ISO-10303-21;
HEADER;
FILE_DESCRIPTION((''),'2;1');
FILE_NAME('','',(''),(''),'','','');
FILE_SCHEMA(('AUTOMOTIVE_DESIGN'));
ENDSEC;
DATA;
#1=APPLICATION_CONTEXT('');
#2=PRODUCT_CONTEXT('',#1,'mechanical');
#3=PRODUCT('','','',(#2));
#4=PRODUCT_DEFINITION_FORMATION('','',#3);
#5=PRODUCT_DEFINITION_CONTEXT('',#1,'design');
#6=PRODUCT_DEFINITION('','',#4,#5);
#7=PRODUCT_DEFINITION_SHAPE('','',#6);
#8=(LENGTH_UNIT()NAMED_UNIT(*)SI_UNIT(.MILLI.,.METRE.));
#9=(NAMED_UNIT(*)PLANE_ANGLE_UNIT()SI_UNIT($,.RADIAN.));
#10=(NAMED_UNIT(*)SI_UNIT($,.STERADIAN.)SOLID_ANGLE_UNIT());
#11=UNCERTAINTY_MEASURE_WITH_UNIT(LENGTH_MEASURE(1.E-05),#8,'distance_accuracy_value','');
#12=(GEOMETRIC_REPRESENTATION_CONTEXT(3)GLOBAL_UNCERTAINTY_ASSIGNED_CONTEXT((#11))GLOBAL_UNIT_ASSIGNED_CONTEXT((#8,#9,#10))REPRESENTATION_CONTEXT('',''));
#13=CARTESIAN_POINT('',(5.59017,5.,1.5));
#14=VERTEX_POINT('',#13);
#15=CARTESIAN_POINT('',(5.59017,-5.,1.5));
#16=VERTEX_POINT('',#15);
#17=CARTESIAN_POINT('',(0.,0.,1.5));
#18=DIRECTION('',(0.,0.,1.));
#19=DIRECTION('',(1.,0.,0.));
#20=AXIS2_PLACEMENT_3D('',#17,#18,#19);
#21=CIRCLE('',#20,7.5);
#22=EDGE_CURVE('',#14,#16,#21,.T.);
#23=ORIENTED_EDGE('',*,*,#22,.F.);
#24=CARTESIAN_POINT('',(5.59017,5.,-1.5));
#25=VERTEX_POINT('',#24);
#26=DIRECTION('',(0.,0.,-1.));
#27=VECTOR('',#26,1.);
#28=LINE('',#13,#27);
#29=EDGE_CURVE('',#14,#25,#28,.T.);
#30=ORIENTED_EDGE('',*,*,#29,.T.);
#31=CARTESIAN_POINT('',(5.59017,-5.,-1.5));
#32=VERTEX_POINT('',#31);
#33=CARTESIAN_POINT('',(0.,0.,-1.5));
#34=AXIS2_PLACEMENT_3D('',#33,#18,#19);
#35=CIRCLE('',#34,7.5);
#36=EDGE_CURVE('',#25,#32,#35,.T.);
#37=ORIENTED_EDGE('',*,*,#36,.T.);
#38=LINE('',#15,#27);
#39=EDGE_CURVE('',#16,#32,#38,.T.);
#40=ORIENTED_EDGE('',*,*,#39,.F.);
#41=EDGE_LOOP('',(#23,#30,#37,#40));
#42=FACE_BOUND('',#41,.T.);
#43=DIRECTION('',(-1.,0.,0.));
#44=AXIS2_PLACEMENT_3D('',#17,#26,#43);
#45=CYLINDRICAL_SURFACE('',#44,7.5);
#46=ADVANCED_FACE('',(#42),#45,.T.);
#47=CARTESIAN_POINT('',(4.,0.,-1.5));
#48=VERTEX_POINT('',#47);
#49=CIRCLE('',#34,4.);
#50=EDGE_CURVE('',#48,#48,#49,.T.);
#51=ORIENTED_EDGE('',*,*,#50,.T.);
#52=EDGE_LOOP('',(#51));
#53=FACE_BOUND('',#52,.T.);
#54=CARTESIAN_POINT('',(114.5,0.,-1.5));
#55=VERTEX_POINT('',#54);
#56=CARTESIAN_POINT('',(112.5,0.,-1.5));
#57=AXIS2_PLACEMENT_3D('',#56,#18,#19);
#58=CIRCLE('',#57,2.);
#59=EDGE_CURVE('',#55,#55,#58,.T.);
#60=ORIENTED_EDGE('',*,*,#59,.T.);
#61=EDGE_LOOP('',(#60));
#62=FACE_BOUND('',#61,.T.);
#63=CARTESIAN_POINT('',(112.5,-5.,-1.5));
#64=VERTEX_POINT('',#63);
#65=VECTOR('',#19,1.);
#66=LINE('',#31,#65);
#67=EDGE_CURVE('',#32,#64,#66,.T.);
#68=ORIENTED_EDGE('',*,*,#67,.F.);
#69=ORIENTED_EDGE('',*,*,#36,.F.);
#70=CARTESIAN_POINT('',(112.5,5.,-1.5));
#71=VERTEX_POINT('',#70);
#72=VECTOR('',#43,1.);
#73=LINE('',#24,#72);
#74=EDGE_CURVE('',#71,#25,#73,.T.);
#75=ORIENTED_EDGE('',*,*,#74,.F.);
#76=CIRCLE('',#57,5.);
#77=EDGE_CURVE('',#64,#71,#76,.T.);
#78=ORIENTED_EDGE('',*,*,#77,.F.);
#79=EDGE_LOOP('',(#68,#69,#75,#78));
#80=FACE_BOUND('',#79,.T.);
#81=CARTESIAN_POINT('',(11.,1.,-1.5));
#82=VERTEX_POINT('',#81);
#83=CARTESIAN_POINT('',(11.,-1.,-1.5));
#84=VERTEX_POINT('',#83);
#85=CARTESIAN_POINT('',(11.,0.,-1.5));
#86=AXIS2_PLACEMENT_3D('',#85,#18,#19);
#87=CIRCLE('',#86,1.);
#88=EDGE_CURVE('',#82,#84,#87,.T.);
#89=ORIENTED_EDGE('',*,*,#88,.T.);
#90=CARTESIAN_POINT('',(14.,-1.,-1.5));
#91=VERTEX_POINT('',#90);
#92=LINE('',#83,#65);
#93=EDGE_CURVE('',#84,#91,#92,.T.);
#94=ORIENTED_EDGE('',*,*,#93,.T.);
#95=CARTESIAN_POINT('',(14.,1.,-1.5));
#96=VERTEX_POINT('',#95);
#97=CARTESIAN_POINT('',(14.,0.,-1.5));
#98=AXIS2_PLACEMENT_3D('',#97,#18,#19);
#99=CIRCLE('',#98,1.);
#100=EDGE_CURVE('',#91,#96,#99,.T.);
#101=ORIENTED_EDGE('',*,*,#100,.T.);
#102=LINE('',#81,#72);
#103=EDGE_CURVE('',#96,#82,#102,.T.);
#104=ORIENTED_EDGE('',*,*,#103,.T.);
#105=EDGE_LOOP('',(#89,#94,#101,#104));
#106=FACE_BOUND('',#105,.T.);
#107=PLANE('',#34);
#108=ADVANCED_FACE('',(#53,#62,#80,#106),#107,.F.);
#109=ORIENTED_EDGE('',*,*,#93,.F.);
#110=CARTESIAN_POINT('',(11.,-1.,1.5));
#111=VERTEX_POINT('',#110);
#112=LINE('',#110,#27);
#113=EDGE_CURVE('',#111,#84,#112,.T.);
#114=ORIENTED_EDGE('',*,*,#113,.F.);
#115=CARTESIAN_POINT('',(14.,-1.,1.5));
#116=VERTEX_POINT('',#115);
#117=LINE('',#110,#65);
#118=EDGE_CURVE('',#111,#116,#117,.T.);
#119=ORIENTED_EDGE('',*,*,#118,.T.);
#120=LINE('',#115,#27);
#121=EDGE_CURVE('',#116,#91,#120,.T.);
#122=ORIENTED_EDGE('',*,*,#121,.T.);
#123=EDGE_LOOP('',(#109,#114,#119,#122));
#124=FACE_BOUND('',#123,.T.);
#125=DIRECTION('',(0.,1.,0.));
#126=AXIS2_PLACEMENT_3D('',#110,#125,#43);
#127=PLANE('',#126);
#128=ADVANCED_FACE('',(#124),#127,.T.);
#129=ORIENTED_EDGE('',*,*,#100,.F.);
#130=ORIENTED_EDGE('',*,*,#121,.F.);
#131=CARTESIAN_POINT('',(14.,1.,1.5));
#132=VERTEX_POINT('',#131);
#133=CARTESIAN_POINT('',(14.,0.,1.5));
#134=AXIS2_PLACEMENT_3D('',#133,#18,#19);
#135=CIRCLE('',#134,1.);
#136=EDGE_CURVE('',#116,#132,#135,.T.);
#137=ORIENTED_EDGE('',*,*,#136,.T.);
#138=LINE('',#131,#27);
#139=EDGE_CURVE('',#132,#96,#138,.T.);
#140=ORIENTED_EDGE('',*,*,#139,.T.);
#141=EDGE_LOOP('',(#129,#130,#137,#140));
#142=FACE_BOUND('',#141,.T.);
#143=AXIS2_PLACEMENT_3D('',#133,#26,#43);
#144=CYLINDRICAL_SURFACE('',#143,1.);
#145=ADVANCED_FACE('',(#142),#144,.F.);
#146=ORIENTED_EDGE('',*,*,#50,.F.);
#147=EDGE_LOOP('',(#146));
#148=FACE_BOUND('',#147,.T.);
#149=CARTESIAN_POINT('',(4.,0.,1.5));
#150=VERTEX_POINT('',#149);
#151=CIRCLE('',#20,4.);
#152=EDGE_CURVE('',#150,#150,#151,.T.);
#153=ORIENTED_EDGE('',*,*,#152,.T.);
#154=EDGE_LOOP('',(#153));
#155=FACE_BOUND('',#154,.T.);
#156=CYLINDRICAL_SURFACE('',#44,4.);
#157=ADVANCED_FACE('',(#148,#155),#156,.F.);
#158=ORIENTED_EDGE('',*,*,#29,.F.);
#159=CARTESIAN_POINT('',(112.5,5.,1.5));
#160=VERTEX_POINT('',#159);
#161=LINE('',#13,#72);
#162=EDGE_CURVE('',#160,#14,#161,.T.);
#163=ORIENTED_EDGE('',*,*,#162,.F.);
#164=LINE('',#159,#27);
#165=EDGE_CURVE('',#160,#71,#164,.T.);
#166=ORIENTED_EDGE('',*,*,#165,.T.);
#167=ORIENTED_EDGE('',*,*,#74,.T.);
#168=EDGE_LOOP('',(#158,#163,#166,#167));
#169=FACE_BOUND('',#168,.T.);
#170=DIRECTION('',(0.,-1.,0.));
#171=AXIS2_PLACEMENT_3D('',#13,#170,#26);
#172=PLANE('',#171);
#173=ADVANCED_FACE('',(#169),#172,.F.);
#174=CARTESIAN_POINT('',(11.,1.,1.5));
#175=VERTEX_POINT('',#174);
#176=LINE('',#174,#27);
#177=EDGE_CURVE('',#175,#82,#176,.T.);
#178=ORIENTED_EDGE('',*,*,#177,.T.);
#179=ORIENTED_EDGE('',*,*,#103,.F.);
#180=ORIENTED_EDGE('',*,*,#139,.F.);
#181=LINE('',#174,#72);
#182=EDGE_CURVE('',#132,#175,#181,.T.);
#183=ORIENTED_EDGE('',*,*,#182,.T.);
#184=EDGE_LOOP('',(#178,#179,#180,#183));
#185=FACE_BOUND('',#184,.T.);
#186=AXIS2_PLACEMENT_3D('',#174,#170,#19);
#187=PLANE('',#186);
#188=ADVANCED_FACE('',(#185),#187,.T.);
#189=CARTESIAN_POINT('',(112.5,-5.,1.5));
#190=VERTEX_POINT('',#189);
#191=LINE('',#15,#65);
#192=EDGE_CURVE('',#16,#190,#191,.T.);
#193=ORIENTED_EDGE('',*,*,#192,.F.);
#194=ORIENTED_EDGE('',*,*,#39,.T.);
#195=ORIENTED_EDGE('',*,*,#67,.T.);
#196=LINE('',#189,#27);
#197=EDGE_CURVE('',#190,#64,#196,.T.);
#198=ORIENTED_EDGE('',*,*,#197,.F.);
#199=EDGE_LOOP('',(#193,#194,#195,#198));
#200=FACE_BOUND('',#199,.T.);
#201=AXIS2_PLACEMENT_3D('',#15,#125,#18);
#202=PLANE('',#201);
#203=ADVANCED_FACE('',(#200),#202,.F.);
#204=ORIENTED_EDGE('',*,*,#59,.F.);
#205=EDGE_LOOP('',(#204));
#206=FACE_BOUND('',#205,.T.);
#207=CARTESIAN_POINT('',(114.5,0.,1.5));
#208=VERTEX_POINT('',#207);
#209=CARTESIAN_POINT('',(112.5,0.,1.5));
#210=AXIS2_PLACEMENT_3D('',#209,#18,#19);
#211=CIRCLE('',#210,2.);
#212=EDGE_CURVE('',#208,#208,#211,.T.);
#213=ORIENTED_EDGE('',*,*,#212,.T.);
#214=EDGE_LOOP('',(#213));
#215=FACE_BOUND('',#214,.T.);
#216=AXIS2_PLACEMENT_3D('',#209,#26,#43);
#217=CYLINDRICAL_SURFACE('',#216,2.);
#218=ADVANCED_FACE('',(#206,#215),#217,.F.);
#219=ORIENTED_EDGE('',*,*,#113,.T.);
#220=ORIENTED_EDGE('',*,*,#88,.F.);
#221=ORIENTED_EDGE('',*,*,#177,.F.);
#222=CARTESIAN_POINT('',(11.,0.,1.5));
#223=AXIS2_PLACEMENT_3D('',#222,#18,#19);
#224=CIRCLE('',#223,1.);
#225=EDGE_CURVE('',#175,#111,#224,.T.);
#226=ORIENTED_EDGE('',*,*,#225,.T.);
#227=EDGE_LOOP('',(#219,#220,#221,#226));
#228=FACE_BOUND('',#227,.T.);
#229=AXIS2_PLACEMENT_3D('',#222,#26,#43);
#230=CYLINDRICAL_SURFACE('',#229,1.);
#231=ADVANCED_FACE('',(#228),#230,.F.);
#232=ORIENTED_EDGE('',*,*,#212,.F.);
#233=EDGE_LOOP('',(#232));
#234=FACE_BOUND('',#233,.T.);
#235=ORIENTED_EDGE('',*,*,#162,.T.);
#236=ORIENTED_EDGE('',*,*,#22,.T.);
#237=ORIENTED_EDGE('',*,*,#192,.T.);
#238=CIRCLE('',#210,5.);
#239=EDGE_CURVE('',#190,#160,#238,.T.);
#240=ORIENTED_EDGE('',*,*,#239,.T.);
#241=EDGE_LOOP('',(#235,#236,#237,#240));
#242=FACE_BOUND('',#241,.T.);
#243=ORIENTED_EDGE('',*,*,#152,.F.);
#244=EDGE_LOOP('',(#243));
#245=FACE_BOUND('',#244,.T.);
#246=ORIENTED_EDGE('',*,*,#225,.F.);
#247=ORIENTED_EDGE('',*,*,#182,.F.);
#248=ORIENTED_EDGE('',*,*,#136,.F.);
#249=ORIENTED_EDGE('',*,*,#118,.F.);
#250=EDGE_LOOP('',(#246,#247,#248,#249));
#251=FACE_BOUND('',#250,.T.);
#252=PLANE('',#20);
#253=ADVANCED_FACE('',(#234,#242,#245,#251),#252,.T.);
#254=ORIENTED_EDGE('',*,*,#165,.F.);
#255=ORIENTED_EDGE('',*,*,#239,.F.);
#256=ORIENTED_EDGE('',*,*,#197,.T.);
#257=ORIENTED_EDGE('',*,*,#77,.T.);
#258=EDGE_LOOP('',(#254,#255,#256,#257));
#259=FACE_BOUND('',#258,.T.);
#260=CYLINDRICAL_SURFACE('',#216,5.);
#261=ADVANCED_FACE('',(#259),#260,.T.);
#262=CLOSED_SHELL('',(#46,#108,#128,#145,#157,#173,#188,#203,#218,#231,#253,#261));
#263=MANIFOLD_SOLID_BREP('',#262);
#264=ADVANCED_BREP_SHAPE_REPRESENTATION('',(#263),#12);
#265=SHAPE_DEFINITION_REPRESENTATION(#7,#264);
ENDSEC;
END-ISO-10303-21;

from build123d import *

# Parameters (mm, degrees)
SKETCH_1_R      = 2
SKETCH_1_R_2    = 4
EXTRUDE_1_DEPTH = 1.5


with BuildPart() as part:
    # 草图1 → 凸台-拉伸1 (new, symmetric)
    with BuildSketch(Plane.XY):
        with BuildLine():
            Line((5.590169944, 5), (112.5, 5))
            ThreePointArc((112.5, 5), (117.5, 0), (112.5, -5))
            Line((112.5, -5), (5.590169944, -5))
            ThreePointArc((5.590169944, -5), (-7.5, 0), (5.590169944, 5))
        make_face()
        with Locations((112.5, 0)):
            Circle(SKETCH_1_R, mode=Mode.SUBTRACT)
        Circle(SKETCH_1_R_2, mode=Mode.SUBTRACT)
        with BuildLine():
            Line((11, 1), (14, 1))
            ThreePointArc((14, 1), (15, 0), (14, -1))
            Line((14, -1), (11, -1))
            ThreePointArc((11, -1), (10, 0), (11, 1))
        make_face(mode=Mode.SUBTRACT)
    extrude(amount=EXTRUDE_1_DEPTH, both=True)


solid = part.part
